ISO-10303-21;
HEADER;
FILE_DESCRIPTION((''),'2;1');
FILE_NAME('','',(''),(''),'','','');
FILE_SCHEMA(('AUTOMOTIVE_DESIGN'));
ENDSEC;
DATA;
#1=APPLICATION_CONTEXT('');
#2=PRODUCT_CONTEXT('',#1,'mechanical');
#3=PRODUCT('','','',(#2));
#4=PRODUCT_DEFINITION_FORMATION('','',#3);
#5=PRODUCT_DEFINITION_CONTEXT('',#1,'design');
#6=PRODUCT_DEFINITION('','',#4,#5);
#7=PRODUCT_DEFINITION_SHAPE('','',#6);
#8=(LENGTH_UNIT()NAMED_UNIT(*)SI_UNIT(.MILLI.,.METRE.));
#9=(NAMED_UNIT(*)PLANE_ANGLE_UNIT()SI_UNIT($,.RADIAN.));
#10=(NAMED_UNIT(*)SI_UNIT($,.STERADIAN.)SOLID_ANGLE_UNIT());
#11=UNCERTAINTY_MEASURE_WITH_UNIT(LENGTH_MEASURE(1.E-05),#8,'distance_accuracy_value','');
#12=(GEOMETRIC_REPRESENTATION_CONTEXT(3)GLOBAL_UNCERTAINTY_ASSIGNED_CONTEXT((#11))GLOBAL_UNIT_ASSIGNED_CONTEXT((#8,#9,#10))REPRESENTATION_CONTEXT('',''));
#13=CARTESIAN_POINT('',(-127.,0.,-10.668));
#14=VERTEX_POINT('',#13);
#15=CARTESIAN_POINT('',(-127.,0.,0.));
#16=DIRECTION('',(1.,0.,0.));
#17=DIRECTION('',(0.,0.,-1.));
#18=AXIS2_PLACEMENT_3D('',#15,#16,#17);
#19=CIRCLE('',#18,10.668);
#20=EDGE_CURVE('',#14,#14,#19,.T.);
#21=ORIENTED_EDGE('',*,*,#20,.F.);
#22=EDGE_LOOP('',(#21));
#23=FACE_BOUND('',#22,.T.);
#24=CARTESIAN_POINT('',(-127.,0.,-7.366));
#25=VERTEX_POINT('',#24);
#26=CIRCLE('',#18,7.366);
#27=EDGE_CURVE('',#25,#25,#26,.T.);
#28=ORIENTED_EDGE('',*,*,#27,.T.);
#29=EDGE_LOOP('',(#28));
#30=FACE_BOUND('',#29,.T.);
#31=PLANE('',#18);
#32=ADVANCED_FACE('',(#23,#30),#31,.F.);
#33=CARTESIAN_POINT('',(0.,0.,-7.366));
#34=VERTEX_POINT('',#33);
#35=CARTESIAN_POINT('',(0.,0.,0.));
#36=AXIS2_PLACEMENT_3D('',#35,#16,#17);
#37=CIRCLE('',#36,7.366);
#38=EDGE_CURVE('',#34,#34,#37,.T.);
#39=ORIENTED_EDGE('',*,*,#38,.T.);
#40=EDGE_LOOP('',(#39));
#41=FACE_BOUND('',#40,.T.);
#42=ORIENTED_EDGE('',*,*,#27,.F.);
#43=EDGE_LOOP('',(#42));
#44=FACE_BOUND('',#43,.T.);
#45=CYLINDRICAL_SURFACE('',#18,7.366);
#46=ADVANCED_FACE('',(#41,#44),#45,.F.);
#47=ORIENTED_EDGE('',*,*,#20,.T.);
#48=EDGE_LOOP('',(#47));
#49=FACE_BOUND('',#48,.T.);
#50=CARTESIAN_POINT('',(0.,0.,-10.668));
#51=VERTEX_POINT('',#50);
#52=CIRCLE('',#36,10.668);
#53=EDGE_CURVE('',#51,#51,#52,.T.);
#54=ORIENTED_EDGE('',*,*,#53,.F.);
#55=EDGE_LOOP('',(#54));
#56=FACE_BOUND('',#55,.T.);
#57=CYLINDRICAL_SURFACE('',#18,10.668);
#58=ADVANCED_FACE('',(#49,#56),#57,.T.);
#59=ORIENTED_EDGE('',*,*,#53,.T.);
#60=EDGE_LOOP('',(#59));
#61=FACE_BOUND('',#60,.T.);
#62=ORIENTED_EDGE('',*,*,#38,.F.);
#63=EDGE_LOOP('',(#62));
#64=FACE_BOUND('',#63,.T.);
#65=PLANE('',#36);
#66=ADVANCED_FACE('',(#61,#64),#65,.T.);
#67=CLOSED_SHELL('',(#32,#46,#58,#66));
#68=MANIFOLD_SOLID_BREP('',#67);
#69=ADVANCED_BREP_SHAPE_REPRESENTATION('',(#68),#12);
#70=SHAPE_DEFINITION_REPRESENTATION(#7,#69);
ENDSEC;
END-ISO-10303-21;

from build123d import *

# Parameters (mm, degrees)
SKETCH1_R           = 10.668
SKETCH1_R_2         = 7.366
BOSS_EXTRUDE1_DEPTH = 127


with BuildPart() as part:
    # Sketch1 → Boss-Extrude1 (new body)
    with BuildSketch(Plane(origin=(0, 0, 0), x_dir=(0, 0, -1), z_dir=(1, 0, 0))):
        Circle(SKETCH1_R)
        Circle(SKETCH1_R_2, mode=Mode.SUBTRACT)
    extrude(amount=-BOSS_EXTRUDE1_DEPTH)


solid = part.part
